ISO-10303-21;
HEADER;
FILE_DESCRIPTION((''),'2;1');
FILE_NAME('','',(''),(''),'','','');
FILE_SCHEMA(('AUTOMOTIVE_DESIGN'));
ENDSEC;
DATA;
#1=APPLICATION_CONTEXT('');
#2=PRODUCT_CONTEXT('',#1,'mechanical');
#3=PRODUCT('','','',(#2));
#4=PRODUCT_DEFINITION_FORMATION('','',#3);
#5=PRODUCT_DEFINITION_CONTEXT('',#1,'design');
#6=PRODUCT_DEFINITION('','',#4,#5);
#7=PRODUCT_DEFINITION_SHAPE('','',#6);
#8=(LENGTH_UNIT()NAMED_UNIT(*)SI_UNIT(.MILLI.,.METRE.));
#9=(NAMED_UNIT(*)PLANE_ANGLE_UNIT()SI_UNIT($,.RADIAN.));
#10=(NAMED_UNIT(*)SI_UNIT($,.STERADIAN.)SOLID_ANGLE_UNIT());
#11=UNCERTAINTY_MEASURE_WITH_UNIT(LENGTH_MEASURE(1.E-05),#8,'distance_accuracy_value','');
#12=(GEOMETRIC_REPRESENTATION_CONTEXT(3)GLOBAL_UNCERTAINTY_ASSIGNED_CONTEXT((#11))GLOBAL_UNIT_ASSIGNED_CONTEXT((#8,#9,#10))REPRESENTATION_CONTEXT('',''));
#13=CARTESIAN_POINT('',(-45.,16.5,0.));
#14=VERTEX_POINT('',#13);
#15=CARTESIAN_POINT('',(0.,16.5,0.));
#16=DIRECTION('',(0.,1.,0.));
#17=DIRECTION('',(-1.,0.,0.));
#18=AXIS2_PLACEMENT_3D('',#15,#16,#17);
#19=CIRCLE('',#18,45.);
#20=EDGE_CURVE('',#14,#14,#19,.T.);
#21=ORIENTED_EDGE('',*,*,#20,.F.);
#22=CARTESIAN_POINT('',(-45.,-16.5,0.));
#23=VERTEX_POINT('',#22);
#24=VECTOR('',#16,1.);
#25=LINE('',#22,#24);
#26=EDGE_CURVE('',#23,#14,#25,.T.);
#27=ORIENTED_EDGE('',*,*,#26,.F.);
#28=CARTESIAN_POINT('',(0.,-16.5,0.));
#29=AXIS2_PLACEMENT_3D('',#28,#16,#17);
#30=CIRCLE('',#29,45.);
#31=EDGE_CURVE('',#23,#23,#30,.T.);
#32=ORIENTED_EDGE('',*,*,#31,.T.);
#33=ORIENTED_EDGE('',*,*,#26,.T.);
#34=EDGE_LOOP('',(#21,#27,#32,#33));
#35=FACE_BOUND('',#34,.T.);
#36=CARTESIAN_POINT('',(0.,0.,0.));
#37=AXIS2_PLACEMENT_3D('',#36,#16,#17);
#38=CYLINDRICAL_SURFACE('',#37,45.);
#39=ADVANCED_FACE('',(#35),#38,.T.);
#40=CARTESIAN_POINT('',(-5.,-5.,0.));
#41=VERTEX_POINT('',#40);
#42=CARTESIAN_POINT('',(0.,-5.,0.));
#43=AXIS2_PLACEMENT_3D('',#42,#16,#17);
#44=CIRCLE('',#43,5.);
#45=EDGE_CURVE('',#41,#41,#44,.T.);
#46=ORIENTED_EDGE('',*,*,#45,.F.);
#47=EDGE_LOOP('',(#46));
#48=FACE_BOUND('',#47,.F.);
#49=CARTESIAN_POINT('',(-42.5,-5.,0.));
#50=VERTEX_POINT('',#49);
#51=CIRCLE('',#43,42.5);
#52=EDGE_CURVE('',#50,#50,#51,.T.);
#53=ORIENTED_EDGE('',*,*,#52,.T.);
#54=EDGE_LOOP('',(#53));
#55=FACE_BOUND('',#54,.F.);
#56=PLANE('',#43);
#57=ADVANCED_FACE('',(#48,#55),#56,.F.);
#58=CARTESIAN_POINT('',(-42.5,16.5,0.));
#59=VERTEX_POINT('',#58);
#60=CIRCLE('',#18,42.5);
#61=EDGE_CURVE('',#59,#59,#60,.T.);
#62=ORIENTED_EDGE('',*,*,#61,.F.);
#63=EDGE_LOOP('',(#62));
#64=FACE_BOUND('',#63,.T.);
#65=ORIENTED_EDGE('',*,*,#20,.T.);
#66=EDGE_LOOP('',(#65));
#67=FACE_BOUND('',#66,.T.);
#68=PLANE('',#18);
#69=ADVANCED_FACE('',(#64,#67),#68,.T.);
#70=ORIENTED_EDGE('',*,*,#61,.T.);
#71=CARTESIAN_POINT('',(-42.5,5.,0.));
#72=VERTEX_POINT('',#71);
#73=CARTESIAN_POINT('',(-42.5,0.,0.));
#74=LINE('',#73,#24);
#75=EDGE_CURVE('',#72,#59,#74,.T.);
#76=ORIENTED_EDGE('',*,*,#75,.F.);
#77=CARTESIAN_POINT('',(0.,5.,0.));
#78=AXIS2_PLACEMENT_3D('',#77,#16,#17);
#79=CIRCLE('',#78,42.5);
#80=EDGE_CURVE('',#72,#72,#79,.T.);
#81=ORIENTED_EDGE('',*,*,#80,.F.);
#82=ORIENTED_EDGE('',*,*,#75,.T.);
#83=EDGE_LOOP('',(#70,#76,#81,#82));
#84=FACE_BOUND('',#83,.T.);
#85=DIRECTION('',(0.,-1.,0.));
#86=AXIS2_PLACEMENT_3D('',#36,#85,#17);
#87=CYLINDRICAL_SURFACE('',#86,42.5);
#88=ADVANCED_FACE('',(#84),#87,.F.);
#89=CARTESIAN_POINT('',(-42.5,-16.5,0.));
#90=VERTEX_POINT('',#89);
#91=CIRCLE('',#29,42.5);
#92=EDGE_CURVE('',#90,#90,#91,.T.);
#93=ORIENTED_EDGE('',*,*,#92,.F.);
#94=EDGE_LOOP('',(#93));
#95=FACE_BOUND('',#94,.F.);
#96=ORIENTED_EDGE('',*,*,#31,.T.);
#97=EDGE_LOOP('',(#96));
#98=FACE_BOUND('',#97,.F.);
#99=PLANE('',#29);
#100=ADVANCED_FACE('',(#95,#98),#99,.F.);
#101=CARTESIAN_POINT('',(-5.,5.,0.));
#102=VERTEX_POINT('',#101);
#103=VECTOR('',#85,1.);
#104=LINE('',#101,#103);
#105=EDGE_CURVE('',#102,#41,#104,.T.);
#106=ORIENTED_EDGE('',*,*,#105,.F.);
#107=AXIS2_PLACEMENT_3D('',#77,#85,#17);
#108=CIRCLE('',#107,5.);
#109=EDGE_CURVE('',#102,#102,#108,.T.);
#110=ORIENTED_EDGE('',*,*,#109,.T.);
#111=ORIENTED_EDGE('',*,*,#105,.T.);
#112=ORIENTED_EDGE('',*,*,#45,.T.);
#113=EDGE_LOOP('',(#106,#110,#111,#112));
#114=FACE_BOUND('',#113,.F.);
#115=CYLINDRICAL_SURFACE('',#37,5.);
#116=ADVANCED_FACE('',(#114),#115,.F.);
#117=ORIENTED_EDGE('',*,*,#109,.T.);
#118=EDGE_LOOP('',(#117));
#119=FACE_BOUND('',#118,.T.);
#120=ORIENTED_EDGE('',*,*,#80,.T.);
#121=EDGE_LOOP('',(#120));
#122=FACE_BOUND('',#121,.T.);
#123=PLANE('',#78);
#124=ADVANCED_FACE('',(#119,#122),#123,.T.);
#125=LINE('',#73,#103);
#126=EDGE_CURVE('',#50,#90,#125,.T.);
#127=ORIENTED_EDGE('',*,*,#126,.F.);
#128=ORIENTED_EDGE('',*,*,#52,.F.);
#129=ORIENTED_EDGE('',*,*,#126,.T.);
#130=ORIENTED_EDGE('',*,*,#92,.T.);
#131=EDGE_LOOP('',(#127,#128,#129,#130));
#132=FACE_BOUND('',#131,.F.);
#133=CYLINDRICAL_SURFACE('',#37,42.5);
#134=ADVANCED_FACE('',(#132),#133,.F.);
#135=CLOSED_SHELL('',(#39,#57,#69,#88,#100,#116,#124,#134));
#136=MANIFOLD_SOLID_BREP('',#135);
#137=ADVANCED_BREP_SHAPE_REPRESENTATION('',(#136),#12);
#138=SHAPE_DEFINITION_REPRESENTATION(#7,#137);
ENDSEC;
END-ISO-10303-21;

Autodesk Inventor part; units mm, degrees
ref_plane "YZ Plane" through (0, 0, 0) normal (1, 0, 0) x (0, 1, 0)
ref_plane "XZ Plane" through (0, 0, 0) normal (0, 1, 0) x (-1, 0, 0)
ref_plane "XY Plane" through (0, 0, 0) normal (0, 0, 1) x (1, 0, 0)
sketch "Sketch1" plane through (0, 0, 0) normal (0, 1, 0) x (-1, 0, 0)
  circle A0 centre (0, 0) radius 42.5
  circle A1 centre (0, 0) radius 45
  circle A2 centre (0, 0) radius 5
  dimension "d0" = 85
  dimension "d3" = 90
  dimension "d6" = 10
extrude "Extrusion1" add sketch "Sketch1" along normal mid plane 10 contours A0 | A2
extrude "Extrusion2" add sketch "Sketch1" along normal mid plane 33 contours A1
extrude "Extrusion3" cut sketch "Sketch1" along normal mid plane 33 contours A2
properties part number "WheelCore"
